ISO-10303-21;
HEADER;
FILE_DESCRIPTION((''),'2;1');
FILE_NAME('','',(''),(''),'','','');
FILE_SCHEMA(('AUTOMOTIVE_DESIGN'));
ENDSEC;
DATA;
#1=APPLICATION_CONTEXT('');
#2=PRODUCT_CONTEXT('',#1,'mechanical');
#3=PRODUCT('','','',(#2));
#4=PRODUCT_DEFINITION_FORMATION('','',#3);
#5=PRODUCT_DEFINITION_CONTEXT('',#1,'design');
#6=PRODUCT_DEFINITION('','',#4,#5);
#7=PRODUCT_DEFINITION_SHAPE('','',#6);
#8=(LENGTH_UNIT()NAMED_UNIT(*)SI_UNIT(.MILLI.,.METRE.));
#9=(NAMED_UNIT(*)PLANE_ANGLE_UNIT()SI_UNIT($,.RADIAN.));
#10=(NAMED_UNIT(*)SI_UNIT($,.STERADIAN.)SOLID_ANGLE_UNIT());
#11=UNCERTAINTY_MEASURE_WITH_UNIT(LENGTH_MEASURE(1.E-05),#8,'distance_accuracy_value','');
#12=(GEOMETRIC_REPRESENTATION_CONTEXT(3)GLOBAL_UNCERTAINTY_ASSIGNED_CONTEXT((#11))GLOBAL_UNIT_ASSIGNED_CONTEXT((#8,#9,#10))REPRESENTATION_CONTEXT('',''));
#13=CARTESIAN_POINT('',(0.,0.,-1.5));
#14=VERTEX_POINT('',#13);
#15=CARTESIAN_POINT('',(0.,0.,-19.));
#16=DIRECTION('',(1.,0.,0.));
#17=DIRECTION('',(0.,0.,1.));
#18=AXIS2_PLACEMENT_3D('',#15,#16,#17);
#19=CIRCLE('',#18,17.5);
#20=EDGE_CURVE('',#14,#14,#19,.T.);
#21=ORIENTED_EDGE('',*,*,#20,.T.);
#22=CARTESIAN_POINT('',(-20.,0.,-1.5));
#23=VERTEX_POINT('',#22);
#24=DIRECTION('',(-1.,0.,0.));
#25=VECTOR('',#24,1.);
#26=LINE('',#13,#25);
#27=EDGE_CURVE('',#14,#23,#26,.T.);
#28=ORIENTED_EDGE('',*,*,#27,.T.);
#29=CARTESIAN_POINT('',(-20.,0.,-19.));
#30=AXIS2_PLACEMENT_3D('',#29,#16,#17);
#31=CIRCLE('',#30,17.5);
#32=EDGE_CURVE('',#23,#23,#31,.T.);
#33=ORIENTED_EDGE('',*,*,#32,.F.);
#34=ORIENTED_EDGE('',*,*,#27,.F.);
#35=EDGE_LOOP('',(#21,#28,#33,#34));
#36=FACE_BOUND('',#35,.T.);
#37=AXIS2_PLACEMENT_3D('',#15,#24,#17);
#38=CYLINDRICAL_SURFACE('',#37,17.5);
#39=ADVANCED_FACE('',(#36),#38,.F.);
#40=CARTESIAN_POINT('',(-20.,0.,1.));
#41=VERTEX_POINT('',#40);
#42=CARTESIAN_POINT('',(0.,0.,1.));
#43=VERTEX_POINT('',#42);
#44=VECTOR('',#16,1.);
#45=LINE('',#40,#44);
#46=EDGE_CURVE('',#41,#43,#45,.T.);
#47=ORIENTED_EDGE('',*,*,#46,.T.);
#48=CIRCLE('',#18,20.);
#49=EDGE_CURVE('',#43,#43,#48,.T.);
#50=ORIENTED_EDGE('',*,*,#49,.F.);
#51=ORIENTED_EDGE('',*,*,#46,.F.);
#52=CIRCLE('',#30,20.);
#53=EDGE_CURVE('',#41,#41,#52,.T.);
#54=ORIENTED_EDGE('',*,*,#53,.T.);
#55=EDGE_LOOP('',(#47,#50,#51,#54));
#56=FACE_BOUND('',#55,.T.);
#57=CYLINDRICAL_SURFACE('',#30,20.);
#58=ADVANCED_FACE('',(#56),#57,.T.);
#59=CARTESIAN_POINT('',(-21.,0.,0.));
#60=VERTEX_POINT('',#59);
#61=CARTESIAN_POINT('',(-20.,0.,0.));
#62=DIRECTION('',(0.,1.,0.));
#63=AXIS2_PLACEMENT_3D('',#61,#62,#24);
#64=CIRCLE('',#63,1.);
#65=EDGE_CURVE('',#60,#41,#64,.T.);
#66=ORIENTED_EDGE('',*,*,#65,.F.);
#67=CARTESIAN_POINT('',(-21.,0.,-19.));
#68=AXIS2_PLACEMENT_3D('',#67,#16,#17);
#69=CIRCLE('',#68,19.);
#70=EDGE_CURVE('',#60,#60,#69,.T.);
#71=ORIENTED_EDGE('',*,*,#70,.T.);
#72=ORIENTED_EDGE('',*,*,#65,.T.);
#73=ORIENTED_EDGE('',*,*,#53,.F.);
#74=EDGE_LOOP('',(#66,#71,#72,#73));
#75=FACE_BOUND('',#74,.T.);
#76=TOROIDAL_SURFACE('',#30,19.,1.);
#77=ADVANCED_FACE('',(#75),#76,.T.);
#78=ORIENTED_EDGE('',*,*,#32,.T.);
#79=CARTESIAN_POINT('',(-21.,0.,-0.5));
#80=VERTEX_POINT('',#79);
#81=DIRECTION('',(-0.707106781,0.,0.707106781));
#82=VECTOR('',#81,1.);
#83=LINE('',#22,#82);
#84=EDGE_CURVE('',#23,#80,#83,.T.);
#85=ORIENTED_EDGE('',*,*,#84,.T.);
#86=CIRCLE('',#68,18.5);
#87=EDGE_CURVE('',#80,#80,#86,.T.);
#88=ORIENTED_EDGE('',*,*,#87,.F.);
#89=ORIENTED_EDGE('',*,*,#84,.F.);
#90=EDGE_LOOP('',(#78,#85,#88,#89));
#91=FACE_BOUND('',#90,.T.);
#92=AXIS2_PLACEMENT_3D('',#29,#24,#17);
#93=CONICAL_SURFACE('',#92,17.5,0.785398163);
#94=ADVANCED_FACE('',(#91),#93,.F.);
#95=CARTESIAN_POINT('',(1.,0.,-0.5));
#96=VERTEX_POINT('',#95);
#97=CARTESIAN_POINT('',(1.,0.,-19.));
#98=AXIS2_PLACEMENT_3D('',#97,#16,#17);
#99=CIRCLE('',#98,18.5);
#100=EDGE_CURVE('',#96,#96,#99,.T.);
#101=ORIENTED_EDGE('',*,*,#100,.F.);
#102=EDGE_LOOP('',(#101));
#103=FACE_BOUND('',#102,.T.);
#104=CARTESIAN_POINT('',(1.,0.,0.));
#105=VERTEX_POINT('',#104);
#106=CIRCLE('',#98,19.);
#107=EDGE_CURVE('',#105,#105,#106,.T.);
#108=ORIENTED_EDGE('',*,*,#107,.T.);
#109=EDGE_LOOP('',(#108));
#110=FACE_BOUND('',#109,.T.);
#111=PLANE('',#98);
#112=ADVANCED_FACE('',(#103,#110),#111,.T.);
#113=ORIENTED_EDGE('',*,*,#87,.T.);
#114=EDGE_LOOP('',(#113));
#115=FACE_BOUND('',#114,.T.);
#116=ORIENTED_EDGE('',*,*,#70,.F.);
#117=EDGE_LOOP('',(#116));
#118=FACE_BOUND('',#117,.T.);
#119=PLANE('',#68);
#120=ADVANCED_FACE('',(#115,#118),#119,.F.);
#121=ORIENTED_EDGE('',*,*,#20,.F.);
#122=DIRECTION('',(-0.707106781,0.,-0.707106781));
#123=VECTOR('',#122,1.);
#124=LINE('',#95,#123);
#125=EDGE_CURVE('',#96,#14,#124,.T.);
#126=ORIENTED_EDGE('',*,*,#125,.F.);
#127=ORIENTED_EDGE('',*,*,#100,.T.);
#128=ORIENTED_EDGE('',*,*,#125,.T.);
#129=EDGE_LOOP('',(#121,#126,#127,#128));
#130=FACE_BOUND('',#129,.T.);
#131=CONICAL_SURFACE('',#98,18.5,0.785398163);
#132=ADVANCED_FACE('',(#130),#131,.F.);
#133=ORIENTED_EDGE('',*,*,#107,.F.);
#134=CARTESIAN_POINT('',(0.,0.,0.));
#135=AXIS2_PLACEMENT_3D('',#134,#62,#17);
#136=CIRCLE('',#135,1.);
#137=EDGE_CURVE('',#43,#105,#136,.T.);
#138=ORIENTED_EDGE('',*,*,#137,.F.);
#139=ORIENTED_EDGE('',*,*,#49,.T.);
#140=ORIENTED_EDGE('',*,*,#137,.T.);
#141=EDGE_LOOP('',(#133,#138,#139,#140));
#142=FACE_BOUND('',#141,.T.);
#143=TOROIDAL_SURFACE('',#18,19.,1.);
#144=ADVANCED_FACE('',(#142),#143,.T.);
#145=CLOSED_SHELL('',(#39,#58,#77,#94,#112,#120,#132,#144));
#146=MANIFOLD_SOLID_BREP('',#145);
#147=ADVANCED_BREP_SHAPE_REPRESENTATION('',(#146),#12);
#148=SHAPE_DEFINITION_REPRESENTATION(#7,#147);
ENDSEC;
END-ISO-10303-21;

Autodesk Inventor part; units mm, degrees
ref_plane "YZ Plane" through (0, 0, 0) normal (1, 0, 0) x (0, 1, 0)
ref_plane "XZ Plane" through (0, 0, 0) normal (0, 1, 0) x (-1, 0, 0)
ref_plane "XY Plane" through (0, 0, 0) normal (0, 0, 1) x (1, 0, 0)
sketch "Sketch1" plane through (0, 0, 0) normal (0, 1, 0) x (-1, 0, 0)
  line L0 (20, -1.5) -> (21, -0.5)
  line L1 (0, -1.5) -> (20, -1.5)
  line L2 (-1, -0.5) -> (0, -1.5)
  line L3 (-1, 0) -> (-1, -0.5)
  line L4 (20, 1) -> (0, 1)
  line L5 (21, -0.5) -> (21, 0)
  arc A0 (0, 1) -> (-1, 0) centre (0, 0) ccw
  arc A1 (21, 0) -> (20, 1) centre (20, 0) ccw
  line L6 (20, -19) -> (-1, -19) construction
  dimension "d0" = 0
  dimension "d1" = 20
  dimension "d2" = 1.4142
  dimension "d3" = 135
  dimension "d4" = 2.5
  dimension "d5" = 1
  dimension "d6" = 1.5
  dimension "d7" = 20
  dimension "d8" = 22
  dimension "d9" = 1
  dimension "d10" = 1.5
  dimension "d11" = 1
  dimension "d12" = 1
  dimension "d13" = 135
  dimension "d14" = 90
  dimension "d15" = 90
  dimension "d16" = 17.5
revolve "Revolution1" add sketch "Sketch1" angle 360 about axis through (-20, 0, -19) along (1, 0, 0)
properties part number "26-10-203"
